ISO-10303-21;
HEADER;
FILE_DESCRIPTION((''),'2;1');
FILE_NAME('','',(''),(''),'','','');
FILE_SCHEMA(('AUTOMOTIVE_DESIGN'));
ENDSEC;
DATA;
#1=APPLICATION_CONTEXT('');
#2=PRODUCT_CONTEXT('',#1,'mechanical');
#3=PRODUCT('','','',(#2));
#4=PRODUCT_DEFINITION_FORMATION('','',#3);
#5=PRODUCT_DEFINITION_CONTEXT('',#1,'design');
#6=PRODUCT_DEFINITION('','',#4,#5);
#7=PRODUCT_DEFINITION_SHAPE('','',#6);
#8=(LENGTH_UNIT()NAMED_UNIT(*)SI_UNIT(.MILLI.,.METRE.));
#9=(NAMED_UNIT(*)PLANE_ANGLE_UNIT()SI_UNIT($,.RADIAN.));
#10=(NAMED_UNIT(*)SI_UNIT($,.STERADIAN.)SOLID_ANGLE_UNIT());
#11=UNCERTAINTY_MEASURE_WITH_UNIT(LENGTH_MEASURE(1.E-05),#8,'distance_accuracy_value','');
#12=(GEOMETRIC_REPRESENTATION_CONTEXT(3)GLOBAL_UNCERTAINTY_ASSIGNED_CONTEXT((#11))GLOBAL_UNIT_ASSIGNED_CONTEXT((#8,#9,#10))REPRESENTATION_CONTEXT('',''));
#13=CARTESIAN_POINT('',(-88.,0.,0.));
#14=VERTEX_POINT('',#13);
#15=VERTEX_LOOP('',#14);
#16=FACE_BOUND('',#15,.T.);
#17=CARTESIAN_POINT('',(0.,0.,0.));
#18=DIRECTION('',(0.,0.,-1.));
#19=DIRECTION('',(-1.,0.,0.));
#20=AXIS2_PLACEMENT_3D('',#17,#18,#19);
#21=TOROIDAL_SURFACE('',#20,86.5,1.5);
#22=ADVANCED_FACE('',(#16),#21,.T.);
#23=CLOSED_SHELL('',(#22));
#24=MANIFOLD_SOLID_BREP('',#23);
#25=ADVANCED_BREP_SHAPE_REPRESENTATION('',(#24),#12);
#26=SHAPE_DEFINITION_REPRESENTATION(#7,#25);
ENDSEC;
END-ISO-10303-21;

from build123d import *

# Parameters (mm, degrees)
SKETCH2_R = 1.5


with BuildPart() as part:
    # Sketch2 → Revolve1 (revolve)
    with BuildSketch(Plane(origin=(0, 0, 0), x_dir=(1, 0, 0), z_dir=(0, 1, 0))):
        with Locations((-86.5, 0)):
            Circle(SKETCH2_R)
    revolve(axis=Axis((0, 0, -1.65), (0, 0, 1)))


solid = part.part
